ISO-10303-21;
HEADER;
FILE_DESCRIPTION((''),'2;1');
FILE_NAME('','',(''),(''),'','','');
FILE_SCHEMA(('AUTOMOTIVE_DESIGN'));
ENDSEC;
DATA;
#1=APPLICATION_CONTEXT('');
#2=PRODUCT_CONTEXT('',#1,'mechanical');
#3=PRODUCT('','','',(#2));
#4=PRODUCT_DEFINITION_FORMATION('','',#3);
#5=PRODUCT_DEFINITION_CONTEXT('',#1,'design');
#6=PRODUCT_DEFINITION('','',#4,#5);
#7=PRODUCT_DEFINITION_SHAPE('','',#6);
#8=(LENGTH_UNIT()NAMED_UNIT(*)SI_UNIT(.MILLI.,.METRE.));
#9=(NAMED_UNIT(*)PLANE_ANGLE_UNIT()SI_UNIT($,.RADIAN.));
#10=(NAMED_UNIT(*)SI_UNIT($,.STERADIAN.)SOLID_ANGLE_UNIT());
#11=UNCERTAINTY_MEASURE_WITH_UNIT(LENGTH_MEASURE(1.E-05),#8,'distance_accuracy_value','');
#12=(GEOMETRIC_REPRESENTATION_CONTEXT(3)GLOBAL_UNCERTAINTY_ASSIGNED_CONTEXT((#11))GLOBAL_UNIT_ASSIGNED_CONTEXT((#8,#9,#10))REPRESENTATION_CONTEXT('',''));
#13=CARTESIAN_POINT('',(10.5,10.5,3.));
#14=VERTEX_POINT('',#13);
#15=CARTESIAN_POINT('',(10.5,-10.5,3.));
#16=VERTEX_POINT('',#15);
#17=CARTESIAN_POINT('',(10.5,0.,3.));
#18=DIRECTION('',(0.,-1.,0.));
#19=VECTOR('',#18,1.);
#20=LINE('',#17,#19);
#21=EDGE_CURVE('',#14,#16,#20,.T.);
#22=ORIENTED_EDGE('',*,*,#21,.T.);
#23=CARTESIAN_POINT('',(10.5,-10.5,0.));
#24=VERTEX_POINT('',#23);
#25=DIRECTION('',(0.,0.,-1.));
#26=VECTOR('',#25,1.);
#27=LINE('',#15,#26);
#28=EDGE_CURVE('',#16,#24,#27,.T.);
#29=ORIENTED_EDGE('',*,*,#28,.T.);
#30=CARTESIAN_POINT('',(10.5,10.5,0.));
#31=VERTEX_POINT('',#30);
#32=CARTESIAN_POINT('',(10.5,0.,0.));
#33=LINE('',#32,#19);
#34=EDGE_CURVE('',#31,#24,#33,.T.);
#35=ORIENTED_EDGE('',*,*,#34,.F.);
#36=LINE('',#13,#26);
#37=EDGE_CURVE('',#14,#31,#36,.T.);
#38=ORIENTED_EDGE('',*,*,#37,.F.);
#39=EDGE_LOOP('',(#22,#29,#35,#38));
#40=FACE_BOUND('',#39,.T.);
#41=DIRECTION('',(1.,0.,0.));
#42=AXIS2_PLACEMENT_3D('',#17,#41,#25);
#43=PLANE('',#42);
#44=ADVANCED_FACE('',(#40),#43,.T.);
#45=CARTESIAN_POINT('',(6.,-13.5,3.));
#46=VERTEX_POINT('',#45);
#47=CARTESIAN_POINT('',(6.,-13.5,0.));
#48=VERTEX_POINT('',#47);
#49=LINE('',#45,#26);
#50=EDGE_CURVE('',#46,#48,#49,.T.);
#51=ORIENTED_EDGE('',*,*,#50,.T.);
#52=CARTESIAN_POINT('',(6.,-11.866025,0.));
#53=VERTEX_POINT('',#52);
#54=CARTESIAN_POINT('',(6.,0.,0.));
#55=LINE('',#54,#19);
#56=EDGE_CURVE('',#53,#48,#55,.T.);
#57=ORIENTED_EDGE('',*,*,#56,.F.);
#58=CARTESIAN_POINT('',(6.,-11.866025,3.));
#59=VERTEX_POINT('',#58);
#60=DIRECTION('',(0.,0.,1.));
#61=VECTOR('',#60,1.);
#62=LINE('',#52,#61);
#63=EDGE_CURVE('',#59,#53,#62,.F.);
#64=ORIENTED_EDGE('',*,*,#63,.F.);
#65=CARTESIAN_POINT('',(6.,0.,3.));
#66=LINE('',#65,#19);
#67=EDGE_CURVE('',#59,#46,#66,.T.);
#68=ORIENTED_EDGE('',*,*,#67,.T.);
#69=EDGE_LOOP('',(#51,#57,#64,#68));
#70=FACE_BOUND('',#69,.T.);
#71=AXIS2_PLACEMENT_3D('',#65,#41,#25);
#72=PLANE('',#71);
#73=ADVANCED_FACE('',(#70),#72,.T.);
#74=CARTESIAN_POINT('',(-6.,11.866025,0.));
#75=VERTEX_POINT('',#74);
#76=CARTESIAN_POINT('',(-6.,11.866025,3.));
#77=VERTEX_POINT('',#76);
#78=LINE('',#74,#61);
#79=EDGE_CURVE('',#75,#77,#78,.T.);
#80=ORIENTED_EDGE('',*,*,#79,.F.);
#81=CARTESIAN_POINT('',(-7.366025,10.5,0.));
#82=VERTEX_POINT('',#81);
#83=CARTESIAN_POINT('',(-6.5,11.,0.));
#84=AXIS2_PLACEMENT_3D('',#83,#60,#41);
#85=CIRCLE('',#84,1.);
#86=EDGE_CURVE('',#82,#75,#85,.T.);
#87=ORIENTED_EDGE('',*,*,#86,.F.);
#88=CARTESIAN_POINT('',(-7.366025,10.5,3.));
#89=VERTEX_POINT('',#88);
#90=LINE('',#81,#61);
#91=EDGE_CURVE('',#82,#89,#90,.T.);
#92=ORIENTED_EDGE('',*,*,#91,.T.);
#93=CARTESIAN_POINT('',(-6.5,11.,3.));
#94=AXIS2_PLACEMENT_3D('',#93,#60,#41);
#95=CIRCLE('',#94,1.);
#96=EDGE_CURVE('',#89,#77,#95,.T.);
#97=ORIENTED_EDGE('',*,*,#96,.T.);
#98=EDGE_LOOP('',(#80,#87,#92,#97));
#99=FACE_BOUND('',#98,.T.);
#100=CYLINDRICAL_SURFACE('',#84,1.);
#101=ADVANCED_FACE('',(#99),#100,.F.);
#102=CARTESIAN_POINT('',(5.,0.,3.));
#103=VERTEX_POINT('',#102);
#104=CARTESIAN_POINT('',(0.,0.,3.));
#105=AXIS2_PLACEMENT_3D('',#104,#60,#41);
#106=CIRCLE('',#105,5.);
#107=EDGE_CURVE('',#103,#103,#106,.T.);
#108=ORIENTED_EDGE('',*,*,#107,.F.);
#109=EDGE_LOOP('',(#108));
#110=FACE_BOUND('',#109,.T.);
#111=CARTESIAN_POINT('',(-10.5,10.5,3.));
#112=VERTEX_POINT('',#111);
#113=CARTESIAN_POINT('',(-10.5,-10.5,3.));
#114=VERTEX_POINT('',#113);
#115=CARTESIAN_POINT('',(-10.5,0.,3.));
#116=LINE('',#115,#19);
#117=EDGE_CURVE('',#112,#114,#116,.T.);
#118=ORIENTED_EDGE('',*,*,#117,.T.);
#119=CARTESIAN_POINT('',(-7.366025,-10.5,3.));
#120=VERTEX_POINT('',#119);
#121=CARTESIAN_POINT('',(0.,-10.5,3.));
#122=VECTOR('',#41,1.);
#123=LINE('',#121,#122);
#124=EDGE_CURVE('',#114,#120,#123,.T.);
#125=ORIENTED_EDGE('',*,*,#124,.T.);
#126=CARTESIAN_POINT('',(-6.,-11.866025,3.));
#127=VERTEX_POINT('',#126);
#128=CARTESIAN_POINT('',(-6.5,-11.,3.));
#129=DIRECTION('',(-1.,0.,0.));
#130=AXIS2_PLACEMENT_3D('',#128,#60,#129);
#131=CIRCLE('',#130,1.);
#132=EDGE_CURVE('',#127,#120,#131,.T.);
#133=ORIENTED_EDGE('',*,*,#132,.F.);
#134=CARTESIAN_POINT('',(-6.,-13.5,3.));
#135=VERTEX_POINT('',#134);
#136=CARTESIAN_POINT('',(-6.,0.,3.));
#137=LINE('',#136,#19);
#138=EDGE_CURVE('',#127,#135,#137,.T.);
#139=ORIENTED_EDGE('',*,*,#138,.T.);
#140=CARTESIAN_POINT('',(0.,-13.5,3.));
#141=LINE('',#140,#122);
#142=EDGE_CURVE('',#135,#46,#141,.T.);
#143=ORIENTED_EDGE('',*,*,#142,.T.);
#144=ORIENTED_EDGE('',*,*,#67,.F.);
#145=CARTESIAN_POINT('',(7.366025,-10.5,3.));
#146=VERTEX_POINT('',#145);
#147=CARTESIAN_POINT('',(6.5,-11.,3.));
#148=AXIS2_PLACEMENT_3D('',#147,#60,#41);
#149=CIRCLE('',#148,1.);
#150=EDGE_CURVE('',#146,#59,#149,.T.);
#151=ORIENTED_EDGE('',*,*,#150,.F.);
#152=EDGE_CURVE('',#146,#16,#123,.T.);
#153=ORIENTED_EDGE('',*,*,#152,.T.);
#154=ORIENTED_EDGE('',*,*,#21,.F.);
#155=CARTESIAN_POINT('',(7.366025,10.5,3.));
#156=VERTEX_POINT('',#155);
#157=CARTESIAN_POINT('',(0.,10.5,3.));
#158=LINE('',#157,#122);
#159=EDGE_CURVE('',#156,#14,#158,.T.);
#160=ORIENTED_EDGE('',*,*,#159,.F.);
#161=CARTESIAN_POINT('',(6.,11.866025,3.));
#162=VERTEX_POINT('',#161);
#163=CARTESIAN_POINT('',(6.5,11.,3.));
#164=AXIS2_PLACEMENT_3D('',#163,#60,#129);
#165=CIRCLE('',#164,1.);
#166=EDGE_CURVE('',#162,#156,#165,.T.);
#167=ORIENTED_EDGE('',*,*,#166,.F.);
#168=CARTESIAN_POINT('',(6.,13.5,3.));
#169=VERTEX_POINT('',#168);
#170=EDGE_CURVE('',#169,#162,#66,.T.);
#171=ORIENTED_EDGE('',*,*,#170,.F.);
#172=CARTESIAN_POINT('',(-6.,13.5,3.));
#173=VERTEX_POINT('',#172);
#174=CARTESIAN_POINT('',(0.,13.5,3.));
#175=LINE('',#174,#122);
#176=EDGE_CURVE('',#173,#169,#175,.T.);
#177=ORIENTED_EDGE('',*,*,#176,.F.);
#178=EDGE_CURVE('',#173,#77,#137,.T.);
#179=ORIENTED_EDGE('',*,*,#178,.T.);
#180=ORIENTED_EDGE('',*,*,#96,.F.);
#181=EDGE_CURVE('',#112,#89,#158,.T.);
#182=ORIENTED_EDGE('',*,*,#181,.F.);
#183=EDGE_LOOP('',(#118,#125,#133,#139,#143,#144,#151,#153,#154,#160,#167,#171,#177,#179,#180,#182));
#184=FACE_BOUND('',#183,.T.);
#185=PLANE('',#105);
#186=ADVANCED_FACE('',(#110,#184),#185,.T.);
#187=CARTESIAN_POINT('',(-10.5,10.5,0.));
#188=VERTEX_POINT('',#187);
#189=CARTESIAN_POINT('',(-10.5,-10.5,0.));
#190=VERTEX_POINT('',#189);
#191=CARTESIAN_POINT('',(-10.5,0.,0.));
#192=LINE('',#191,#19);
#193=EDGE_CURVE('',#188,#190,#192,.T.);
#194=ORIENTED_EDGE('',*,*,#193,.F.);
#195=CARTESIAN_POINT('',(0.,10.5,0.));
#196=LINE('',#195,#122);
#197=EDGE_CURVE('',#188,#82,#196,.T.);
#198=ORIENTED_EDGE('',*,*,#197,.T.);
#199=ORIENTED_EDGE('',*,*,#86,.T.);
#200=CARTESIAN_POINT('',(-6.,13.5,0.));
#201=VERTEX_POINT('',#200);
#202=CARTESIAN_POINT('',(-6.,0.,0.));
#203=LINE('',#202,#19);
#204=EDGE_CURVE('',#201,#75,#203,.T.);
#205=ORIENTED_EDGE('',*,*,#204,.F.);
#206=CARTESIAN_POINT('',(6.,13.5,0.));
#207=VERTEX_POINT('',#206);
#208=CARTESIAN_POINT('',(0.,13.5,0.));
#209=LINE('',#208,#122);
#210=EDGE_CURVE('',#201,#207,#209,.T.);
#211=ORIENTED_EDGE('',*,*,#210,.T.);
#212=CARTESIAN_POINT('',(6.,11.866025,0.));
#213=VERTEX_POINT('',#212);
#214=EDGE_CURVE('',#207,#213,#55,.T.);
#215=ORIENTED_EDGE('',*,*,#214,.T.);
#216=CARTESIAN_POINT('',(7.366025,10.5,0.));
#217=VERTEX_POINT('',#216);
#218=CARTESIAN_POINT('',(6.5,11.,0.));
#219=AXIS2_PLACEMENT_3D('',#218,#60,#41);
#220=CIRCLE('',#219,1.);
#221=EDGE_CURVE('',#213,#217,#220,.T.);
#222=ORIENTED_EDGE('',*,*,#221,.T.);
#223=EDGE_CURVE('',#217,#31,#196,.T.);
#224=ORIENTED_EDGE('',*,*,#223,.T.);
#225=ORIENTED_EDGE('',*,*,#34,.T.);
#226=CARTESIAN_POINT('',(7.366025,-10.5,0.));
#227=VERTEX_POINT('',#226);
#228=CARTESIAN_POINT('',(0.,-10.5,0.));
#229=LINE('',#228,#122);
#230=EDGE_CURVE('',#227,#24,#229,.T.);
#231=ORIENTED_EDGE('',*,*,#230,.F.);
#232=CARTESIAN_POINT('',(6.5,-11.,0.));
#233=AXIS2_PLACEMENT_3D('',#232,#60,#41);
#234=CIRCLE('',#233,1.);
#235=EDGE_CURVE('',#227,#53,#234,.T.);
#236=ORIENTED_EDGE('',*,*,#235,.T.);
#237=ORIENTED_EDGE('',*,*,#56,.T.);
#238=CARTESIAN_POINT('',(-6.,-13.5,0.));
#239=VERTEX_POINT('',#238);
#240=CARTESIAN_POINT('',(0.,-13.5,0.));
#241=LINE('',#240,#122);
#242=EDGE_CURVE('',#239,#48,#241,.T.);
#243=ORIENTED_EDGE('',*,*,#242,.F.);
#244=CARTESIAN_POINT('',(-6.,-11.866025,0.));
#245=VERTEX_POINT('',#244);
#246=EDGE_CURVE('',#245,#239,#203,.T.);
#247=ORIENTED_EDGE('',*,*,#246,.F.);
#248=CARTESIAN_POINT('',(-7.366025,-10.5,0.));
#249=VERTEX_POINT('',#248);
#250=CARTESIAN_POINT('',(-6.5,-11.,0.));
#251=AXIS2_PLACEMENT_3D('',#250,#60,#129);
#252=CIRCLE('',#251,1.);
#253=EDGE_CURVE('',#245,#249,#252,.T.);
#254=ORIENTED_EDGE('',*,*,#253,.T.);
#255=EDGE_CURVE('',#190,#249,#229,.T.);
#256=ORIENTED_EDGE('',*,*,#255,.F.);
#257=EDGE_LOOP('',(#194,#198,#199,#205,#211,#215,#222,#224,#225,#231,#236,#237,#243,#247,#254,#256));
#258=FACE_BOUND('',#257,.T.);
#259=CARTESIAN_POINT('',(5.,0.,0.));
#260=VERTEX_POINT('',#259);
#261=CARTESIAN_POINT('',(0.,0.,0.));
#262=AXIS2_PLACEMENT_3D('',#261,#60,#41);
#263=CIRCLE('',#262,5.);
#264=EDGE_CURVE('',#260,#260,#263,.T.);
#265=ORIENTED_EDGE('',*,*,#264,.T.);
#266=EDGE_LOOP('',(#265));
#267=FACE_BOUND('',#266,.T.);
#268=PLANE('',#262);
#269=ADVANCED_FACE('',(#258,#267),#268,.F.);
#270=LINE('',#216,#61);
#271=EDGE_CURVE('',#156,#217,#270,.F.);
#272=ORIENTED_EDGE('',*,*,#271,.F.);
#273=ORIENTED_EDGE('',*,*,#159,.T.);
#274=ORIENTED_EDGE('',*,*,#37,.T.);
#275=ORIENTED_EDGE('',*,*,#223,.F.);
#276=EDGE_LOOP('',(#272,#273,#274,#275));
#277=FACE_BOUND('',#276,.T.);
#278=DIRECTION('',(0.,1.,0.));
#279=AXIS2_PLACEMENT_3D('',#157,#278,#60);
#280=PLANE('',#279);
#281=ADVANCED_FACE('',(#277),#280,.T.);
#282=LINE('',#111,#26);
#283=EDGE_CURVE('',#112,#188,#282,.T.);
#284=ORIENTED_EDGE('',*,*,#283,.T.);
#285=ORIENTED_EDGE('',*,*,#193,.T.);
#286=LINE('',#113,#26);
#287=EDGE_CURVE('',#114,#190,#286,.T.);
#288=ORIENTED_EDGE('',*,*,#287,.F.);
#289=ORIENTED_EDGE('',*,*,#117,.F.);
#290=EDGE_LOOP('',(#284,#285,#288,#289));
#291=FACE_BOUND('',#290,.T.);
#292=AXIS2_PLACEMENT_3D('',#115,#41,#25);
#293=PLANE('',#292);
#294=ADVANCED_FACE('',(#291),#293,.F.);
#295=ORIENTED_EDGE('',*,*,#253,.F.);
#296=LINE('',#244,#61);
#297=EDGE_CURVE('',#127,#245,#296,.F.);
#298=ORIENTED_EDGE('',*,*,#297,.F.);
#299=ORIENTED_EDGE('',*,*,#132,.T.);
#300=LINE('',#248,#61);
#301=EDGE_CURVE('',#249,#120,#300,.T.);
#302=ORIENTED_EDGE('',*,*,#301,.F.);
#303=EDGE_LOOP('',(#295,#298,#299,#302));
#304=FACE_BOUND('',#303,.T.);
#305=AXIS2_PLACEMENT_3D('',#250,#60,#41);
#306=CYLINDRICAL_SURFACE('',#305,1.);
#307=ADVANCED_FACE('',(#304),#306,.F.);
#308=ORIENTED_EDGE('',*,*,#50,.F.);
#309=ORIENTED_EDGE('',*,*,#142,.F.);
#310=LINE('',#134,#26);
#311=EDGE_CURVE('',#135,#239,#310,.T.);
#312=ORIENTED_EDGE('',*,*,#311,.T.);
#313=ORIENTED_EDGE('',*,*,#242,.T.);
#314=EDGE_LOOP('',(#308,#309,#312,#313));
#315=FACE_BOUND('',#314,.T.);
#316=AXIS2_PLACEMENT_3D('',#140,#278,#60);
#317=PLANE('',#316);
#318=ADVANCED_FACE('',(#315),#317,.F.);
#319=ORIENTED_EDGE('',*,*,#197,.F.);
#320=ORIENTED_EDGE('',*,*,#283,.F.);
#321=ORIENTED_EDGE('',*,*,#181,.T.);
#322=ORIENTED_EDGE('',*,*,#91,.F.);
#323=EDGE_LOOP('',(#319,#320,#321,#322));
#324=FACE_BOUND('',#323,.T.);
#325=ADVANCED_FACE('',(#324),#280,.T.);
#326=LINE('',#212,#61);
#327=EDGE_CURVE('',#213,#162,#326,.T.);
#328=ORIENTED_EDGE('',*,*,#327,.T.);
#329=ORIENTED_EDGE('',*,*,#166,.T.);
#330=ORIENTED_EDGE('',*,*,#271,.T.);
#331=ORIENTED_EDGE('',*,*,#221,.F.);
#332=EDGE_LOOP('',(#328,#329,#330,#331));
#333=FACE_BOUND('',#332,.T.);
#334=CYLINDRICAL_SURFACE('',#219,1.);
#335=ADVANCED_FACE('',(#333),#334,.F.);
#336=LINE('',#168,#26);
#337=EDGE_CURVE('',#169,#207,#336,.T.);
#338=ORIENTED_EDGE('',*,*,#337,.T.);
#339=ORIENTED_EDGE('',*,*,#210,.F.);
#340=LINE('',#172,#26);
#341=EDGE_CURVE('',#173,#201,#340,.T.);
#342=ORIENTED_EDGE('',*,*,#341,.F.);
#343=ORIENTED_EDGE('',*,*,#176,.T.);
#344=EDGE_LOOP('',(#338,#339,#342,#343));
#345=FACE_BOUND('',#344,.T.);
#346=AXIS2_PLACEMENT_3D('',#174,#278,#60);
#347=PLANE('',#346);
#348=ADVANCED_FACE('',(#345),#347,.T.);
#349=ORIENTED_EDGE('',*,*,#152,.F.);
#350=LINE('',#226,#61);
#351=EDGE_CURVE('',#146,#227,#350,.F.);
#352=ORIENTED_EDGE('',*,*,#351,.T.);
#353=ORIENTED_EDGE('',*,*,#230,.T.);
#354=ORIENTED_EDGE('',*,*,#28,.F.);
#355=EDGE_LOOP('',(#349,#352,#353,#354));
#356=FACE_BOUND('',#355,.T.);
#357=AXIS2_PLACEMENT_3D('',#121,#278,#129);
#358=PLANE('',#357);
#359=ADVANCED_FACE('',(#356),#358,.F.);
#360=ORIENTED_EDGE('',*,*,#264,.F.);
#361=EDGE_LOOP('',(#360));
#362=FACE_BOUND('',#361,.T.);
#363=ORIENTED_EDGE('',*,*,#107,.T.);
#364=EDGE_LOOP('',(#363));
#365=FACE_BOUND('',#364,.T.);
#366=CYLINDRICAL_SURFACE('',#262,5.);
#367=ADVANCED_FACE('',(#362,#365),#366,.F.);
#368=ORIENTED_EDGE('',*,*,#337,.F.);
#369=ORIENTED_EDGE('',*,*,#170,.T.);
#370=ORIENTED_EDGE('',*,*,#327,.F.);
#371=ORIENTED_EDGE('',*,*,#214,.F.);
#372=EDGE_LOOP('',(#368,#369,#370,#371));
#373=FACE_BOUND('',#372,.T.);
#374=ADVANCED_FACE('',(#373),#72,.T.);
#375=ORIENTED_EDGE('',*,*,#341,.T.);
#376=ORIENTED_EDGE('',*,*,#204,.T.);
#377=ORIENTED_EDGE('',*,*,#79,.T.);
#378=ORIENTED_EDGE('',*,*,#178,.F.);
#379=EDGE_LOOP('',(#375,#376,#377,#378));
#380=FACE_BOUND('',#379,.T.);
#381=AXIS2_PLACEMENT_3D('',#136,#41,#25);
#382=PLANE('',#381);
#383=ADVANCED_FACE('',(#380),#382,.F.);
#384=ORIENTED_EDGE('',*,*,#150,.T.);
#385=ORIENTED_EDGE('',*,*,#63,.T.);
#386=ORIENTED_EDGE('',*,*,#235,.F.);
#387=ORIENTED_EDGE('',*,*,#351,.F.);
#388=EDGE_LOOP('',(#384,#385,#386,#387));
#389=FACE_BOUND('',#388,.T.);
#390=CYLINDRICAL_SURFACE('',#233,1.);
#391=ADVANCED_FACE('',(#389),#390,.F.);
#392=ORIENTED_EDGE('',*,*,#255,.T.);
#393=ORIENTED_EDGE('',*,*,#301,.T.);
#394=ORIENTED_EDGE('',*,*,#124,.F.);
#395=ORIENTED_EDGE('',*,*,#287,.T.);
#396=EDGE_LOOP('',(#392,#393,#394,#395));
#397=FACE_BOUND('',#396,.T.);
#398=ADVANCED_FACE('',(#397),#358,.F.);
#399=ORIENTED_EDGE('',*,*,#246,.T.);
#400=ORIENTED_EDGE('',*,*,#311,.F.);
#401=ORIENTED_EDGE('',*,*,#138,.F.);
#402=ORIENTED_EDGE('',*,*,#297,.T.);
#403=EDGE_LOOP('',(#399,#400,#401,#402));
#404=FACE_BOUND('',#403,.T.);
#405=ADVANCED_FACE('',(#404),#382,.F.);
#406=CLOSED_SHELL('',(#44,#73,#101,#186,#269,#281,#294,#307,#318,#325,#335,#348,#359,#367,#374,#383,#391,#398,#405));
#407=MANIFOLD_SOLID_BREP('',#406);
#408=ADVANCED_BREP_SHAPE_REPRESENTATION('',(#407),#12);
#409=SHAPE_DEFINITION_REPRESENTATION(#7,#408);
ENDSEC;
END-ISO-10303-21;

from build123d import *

# Parameters (mm, degrees)
SKETCH_1_W          = 12
SKETCH_1_H          = 3
SKETCH_1_H_2        = 21
SKETCH_1_W_2        = 4.5
EXTRUDE_1_DEPTH     = 3
SKETCH_2_R          = 5
CUT_EXTRUDE_1_DEPTH = 18.363755354
SKETCH_3_R          = 1
CUT_EXTRUDE_2_DEPTH = 18.363755354


with BuildPart() as part:
    # 草图1 → 凸台-拉伸1 (new body)
    with BuildSketch(Plane.XY):
        with Locations((0, 12)):
            Rectangle(SKETCH_1_W, SKETCH_1_H)
        Rectangle(SKETCH_1_W, SKETCH_1_H_2)
        with Locations((8.25, 0)):
            Rectangle(SKETCH_1_W_2, SKETCH_1_H_2)
        with Locations((0, -12)):
            Rectangle(SKETCH_1_W, SKETCH_1_H)
        with Locations((-8.25, 0)):
            Rectangle(SKETCH_1_W_2, SKETCH_1_H_2)
    extrude(amount=EXTRUDE_1_DEPTH)

    # 草图2 → 切除-拉伸1 (cut, through all)
    with BuildSketch(Plane.XY.offset(3)):
        Circle(SKETCH_2_R)
    extrude(amount=-CUT_EXTRUDE_1_DEPTH, mode=Mode.SUBTRACT)

    # 草图3 → 切除-拉伸2 (cut, through all)
    with BuildSketch(Plane.XY.offset(3)):
        with Locations((-6.5, 11)):
            Circle(SKETCH_3_R)
        with Locations((6.5, 11)):
            Circle(SKETCH_3_R)
        with Locations((6.5, -11)):
            Circle(SKETCH_3_R)
        with Locations((-6.5, -11)):
            Circle(SKETCH_3_R)
    extrude(amount=-CUT_EXTRUDE_2_DEPTH, mode=Mode.SUBTRACT)


solid = part.part
